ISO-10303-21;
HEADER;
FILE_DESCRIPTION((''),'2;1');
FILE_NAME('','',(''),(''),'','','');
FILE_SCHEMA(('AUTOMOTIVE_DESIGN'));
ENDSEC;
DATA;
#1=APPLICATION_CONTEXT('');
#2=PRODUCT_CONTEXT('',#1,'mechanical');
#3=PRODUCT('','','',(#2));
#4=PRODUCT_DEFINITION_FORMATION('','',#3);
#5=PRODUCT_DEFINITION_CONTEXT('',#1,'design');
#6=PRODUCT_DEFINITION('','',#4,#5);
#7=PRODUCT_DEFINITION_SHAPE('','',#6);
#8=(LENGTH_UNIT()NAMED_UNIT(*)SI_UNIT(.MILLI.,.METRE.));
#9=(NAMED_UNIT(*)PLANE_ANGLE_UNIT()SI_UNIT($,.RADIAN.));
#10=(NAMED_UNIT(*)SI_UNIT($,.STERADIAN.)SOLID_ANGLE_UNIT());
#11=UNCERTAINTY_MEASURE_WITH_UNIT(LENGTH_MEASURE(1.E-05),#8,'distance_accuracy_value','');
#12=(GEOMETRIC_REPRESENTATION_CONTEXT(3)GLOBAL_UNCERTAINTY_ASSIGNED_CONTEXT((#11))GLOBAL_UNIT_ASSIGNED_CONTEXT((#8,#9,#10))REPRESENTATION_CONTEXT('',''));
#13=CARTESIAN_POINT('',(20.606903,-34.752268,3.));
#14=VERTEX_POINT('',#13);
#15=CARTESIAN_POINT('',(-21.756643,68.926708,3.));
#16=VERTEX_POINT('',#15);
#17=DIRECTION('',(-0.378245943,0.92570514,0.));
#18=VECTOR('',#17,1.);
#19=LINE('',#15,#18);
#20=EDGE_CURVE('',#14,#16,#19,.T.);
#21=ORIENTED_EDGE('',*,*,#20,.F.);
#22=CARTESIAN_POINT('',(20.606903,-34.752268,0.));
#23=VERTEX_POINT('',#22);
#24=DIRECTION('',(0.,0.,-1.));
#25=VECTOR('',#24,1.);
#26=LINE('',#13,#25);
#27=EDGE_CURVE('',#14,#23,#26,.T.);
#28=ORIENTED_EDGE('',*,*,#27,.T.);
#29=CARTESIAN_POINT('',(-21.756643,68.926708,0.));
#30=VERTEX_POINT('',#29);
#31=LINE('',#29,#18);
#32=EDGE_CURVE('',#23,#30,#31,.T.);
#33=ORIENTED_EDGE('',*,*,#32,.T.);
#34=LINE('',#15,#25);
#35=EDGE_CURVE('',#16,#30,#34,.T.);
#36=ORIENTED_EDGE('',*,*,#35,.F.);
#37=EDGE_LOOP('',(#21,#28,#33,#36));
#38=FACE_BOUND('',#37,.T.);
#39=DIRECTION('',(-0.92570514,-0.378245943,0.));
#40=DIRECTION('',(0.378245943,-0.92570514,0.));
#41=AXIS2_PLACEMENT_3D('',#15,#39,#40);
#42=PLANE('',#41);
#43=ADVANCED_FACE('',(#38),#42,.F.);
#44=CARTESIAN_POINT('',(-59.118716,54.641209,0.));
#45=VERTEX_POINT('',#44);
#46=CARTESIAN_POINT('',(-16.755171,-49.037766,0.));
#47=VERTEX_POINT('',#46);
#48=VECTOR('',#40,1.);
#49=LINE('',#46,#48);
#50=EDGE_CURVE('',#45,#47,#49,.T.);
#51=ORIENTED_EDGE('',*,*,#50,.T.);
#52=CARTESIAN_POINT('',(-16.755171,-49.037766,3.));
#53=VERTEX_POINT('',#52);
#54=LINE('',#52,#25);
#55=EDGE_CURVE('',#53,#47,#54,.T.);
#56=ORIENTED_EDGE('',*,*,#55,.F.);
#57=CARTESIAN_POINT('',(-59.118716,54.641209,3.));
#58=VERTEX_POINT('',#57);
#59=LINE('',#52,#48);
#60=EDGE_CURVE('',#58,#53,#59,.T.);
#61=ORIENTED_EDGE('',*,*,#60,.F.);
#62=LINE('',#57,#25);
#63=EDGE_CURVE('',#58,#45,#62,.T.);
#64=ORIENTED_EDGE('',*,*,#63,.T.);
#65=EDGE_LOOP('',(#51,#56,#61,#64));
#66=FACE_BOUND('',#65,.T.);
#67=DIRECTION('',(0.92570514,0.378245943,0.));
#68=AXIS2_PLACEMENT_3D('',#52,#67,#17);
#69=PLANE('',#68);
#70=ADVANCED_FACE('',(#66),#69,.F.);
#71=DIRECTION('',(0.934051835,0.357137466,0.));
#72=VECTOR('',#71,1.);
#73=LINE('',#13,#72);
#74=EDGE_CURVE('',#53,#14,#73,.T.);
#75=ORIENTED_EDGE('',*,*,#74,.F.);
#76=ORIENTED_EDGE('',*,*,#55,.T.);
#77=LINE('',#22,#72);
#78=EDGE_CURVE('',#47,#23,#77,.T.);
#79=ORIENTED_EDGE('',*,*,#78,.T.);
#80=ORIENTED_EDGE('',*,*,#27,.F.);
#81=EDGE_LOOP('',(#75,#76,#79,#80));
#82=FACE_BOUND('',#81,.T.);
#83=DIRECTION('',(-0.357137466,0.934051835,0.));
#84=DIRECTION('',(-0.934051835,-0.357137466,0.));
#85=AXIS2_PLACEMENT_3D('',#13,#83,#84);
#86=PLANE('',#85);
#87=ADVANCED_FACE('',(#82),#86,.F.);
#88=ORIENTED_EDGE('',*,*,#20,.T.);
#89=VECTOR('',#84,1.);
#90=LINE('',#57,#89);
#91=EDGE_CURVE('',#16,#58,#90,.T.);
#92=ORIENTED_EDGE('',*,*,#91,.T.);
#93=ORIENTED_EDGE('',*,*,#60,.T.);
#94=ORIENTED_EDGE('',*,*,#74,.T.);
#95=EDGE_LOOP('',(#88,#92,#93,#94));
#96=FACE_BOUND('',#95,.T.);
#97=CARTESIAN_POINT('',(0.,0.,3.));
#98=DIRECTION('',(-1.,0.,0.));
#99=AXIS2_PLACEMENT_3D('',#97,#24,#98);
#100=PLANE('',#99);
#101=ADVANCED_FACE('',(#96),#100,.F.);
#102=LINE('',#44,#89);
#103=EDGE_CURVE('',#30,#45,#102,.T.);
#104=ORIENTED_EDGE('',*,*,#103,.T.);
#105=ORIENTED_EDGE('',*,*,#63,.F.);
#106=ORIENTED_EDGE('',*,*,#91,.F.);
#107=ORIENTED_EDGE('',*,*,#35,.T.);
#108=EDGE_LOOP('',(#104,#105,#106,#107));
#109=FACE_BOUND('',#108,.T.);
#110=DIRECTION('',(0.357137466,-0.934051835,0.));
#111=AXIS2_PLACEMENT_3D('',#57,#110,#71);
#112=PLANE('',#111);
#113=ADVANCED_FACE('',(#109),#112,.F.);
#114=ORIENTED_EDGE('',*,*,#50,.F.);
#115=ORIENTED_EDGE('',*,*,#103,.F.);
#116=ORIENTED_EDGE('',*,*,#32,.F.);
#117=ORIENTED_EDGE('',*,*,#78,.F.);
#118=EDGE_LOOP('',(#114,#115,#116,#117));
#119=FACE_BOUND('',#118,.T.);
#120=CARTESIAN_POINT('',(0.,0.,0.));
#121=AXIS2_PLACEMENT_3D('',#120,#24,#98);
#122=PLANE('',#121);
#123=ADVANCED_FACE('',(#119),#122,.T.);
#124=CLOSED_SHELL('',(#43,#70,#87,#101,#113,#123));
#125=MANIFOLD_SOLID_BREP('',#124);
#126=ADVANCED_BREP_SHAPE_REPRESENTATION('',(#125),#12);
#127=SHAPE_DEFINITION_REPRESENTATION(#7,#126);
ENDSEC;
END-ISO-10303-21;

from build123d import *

# Parameters (mm, degrees)
BOSS_EXTRUDE1_DEPTH = 3


with BuildPart() as part:
    # Sketch1 → Boss-Extrude1 (new body)
    with BuildSketch(Plane.XY):
        Polygon((-21.756642947, 68.926707875), (20.606902665, -34.752267829), (-16.755170729, -49.03776648), (-59.118716341, 54.641209225), align=None)
    extrude(amount=BOSS_EXTRUDE1_DEPTH)


solid = part.part
